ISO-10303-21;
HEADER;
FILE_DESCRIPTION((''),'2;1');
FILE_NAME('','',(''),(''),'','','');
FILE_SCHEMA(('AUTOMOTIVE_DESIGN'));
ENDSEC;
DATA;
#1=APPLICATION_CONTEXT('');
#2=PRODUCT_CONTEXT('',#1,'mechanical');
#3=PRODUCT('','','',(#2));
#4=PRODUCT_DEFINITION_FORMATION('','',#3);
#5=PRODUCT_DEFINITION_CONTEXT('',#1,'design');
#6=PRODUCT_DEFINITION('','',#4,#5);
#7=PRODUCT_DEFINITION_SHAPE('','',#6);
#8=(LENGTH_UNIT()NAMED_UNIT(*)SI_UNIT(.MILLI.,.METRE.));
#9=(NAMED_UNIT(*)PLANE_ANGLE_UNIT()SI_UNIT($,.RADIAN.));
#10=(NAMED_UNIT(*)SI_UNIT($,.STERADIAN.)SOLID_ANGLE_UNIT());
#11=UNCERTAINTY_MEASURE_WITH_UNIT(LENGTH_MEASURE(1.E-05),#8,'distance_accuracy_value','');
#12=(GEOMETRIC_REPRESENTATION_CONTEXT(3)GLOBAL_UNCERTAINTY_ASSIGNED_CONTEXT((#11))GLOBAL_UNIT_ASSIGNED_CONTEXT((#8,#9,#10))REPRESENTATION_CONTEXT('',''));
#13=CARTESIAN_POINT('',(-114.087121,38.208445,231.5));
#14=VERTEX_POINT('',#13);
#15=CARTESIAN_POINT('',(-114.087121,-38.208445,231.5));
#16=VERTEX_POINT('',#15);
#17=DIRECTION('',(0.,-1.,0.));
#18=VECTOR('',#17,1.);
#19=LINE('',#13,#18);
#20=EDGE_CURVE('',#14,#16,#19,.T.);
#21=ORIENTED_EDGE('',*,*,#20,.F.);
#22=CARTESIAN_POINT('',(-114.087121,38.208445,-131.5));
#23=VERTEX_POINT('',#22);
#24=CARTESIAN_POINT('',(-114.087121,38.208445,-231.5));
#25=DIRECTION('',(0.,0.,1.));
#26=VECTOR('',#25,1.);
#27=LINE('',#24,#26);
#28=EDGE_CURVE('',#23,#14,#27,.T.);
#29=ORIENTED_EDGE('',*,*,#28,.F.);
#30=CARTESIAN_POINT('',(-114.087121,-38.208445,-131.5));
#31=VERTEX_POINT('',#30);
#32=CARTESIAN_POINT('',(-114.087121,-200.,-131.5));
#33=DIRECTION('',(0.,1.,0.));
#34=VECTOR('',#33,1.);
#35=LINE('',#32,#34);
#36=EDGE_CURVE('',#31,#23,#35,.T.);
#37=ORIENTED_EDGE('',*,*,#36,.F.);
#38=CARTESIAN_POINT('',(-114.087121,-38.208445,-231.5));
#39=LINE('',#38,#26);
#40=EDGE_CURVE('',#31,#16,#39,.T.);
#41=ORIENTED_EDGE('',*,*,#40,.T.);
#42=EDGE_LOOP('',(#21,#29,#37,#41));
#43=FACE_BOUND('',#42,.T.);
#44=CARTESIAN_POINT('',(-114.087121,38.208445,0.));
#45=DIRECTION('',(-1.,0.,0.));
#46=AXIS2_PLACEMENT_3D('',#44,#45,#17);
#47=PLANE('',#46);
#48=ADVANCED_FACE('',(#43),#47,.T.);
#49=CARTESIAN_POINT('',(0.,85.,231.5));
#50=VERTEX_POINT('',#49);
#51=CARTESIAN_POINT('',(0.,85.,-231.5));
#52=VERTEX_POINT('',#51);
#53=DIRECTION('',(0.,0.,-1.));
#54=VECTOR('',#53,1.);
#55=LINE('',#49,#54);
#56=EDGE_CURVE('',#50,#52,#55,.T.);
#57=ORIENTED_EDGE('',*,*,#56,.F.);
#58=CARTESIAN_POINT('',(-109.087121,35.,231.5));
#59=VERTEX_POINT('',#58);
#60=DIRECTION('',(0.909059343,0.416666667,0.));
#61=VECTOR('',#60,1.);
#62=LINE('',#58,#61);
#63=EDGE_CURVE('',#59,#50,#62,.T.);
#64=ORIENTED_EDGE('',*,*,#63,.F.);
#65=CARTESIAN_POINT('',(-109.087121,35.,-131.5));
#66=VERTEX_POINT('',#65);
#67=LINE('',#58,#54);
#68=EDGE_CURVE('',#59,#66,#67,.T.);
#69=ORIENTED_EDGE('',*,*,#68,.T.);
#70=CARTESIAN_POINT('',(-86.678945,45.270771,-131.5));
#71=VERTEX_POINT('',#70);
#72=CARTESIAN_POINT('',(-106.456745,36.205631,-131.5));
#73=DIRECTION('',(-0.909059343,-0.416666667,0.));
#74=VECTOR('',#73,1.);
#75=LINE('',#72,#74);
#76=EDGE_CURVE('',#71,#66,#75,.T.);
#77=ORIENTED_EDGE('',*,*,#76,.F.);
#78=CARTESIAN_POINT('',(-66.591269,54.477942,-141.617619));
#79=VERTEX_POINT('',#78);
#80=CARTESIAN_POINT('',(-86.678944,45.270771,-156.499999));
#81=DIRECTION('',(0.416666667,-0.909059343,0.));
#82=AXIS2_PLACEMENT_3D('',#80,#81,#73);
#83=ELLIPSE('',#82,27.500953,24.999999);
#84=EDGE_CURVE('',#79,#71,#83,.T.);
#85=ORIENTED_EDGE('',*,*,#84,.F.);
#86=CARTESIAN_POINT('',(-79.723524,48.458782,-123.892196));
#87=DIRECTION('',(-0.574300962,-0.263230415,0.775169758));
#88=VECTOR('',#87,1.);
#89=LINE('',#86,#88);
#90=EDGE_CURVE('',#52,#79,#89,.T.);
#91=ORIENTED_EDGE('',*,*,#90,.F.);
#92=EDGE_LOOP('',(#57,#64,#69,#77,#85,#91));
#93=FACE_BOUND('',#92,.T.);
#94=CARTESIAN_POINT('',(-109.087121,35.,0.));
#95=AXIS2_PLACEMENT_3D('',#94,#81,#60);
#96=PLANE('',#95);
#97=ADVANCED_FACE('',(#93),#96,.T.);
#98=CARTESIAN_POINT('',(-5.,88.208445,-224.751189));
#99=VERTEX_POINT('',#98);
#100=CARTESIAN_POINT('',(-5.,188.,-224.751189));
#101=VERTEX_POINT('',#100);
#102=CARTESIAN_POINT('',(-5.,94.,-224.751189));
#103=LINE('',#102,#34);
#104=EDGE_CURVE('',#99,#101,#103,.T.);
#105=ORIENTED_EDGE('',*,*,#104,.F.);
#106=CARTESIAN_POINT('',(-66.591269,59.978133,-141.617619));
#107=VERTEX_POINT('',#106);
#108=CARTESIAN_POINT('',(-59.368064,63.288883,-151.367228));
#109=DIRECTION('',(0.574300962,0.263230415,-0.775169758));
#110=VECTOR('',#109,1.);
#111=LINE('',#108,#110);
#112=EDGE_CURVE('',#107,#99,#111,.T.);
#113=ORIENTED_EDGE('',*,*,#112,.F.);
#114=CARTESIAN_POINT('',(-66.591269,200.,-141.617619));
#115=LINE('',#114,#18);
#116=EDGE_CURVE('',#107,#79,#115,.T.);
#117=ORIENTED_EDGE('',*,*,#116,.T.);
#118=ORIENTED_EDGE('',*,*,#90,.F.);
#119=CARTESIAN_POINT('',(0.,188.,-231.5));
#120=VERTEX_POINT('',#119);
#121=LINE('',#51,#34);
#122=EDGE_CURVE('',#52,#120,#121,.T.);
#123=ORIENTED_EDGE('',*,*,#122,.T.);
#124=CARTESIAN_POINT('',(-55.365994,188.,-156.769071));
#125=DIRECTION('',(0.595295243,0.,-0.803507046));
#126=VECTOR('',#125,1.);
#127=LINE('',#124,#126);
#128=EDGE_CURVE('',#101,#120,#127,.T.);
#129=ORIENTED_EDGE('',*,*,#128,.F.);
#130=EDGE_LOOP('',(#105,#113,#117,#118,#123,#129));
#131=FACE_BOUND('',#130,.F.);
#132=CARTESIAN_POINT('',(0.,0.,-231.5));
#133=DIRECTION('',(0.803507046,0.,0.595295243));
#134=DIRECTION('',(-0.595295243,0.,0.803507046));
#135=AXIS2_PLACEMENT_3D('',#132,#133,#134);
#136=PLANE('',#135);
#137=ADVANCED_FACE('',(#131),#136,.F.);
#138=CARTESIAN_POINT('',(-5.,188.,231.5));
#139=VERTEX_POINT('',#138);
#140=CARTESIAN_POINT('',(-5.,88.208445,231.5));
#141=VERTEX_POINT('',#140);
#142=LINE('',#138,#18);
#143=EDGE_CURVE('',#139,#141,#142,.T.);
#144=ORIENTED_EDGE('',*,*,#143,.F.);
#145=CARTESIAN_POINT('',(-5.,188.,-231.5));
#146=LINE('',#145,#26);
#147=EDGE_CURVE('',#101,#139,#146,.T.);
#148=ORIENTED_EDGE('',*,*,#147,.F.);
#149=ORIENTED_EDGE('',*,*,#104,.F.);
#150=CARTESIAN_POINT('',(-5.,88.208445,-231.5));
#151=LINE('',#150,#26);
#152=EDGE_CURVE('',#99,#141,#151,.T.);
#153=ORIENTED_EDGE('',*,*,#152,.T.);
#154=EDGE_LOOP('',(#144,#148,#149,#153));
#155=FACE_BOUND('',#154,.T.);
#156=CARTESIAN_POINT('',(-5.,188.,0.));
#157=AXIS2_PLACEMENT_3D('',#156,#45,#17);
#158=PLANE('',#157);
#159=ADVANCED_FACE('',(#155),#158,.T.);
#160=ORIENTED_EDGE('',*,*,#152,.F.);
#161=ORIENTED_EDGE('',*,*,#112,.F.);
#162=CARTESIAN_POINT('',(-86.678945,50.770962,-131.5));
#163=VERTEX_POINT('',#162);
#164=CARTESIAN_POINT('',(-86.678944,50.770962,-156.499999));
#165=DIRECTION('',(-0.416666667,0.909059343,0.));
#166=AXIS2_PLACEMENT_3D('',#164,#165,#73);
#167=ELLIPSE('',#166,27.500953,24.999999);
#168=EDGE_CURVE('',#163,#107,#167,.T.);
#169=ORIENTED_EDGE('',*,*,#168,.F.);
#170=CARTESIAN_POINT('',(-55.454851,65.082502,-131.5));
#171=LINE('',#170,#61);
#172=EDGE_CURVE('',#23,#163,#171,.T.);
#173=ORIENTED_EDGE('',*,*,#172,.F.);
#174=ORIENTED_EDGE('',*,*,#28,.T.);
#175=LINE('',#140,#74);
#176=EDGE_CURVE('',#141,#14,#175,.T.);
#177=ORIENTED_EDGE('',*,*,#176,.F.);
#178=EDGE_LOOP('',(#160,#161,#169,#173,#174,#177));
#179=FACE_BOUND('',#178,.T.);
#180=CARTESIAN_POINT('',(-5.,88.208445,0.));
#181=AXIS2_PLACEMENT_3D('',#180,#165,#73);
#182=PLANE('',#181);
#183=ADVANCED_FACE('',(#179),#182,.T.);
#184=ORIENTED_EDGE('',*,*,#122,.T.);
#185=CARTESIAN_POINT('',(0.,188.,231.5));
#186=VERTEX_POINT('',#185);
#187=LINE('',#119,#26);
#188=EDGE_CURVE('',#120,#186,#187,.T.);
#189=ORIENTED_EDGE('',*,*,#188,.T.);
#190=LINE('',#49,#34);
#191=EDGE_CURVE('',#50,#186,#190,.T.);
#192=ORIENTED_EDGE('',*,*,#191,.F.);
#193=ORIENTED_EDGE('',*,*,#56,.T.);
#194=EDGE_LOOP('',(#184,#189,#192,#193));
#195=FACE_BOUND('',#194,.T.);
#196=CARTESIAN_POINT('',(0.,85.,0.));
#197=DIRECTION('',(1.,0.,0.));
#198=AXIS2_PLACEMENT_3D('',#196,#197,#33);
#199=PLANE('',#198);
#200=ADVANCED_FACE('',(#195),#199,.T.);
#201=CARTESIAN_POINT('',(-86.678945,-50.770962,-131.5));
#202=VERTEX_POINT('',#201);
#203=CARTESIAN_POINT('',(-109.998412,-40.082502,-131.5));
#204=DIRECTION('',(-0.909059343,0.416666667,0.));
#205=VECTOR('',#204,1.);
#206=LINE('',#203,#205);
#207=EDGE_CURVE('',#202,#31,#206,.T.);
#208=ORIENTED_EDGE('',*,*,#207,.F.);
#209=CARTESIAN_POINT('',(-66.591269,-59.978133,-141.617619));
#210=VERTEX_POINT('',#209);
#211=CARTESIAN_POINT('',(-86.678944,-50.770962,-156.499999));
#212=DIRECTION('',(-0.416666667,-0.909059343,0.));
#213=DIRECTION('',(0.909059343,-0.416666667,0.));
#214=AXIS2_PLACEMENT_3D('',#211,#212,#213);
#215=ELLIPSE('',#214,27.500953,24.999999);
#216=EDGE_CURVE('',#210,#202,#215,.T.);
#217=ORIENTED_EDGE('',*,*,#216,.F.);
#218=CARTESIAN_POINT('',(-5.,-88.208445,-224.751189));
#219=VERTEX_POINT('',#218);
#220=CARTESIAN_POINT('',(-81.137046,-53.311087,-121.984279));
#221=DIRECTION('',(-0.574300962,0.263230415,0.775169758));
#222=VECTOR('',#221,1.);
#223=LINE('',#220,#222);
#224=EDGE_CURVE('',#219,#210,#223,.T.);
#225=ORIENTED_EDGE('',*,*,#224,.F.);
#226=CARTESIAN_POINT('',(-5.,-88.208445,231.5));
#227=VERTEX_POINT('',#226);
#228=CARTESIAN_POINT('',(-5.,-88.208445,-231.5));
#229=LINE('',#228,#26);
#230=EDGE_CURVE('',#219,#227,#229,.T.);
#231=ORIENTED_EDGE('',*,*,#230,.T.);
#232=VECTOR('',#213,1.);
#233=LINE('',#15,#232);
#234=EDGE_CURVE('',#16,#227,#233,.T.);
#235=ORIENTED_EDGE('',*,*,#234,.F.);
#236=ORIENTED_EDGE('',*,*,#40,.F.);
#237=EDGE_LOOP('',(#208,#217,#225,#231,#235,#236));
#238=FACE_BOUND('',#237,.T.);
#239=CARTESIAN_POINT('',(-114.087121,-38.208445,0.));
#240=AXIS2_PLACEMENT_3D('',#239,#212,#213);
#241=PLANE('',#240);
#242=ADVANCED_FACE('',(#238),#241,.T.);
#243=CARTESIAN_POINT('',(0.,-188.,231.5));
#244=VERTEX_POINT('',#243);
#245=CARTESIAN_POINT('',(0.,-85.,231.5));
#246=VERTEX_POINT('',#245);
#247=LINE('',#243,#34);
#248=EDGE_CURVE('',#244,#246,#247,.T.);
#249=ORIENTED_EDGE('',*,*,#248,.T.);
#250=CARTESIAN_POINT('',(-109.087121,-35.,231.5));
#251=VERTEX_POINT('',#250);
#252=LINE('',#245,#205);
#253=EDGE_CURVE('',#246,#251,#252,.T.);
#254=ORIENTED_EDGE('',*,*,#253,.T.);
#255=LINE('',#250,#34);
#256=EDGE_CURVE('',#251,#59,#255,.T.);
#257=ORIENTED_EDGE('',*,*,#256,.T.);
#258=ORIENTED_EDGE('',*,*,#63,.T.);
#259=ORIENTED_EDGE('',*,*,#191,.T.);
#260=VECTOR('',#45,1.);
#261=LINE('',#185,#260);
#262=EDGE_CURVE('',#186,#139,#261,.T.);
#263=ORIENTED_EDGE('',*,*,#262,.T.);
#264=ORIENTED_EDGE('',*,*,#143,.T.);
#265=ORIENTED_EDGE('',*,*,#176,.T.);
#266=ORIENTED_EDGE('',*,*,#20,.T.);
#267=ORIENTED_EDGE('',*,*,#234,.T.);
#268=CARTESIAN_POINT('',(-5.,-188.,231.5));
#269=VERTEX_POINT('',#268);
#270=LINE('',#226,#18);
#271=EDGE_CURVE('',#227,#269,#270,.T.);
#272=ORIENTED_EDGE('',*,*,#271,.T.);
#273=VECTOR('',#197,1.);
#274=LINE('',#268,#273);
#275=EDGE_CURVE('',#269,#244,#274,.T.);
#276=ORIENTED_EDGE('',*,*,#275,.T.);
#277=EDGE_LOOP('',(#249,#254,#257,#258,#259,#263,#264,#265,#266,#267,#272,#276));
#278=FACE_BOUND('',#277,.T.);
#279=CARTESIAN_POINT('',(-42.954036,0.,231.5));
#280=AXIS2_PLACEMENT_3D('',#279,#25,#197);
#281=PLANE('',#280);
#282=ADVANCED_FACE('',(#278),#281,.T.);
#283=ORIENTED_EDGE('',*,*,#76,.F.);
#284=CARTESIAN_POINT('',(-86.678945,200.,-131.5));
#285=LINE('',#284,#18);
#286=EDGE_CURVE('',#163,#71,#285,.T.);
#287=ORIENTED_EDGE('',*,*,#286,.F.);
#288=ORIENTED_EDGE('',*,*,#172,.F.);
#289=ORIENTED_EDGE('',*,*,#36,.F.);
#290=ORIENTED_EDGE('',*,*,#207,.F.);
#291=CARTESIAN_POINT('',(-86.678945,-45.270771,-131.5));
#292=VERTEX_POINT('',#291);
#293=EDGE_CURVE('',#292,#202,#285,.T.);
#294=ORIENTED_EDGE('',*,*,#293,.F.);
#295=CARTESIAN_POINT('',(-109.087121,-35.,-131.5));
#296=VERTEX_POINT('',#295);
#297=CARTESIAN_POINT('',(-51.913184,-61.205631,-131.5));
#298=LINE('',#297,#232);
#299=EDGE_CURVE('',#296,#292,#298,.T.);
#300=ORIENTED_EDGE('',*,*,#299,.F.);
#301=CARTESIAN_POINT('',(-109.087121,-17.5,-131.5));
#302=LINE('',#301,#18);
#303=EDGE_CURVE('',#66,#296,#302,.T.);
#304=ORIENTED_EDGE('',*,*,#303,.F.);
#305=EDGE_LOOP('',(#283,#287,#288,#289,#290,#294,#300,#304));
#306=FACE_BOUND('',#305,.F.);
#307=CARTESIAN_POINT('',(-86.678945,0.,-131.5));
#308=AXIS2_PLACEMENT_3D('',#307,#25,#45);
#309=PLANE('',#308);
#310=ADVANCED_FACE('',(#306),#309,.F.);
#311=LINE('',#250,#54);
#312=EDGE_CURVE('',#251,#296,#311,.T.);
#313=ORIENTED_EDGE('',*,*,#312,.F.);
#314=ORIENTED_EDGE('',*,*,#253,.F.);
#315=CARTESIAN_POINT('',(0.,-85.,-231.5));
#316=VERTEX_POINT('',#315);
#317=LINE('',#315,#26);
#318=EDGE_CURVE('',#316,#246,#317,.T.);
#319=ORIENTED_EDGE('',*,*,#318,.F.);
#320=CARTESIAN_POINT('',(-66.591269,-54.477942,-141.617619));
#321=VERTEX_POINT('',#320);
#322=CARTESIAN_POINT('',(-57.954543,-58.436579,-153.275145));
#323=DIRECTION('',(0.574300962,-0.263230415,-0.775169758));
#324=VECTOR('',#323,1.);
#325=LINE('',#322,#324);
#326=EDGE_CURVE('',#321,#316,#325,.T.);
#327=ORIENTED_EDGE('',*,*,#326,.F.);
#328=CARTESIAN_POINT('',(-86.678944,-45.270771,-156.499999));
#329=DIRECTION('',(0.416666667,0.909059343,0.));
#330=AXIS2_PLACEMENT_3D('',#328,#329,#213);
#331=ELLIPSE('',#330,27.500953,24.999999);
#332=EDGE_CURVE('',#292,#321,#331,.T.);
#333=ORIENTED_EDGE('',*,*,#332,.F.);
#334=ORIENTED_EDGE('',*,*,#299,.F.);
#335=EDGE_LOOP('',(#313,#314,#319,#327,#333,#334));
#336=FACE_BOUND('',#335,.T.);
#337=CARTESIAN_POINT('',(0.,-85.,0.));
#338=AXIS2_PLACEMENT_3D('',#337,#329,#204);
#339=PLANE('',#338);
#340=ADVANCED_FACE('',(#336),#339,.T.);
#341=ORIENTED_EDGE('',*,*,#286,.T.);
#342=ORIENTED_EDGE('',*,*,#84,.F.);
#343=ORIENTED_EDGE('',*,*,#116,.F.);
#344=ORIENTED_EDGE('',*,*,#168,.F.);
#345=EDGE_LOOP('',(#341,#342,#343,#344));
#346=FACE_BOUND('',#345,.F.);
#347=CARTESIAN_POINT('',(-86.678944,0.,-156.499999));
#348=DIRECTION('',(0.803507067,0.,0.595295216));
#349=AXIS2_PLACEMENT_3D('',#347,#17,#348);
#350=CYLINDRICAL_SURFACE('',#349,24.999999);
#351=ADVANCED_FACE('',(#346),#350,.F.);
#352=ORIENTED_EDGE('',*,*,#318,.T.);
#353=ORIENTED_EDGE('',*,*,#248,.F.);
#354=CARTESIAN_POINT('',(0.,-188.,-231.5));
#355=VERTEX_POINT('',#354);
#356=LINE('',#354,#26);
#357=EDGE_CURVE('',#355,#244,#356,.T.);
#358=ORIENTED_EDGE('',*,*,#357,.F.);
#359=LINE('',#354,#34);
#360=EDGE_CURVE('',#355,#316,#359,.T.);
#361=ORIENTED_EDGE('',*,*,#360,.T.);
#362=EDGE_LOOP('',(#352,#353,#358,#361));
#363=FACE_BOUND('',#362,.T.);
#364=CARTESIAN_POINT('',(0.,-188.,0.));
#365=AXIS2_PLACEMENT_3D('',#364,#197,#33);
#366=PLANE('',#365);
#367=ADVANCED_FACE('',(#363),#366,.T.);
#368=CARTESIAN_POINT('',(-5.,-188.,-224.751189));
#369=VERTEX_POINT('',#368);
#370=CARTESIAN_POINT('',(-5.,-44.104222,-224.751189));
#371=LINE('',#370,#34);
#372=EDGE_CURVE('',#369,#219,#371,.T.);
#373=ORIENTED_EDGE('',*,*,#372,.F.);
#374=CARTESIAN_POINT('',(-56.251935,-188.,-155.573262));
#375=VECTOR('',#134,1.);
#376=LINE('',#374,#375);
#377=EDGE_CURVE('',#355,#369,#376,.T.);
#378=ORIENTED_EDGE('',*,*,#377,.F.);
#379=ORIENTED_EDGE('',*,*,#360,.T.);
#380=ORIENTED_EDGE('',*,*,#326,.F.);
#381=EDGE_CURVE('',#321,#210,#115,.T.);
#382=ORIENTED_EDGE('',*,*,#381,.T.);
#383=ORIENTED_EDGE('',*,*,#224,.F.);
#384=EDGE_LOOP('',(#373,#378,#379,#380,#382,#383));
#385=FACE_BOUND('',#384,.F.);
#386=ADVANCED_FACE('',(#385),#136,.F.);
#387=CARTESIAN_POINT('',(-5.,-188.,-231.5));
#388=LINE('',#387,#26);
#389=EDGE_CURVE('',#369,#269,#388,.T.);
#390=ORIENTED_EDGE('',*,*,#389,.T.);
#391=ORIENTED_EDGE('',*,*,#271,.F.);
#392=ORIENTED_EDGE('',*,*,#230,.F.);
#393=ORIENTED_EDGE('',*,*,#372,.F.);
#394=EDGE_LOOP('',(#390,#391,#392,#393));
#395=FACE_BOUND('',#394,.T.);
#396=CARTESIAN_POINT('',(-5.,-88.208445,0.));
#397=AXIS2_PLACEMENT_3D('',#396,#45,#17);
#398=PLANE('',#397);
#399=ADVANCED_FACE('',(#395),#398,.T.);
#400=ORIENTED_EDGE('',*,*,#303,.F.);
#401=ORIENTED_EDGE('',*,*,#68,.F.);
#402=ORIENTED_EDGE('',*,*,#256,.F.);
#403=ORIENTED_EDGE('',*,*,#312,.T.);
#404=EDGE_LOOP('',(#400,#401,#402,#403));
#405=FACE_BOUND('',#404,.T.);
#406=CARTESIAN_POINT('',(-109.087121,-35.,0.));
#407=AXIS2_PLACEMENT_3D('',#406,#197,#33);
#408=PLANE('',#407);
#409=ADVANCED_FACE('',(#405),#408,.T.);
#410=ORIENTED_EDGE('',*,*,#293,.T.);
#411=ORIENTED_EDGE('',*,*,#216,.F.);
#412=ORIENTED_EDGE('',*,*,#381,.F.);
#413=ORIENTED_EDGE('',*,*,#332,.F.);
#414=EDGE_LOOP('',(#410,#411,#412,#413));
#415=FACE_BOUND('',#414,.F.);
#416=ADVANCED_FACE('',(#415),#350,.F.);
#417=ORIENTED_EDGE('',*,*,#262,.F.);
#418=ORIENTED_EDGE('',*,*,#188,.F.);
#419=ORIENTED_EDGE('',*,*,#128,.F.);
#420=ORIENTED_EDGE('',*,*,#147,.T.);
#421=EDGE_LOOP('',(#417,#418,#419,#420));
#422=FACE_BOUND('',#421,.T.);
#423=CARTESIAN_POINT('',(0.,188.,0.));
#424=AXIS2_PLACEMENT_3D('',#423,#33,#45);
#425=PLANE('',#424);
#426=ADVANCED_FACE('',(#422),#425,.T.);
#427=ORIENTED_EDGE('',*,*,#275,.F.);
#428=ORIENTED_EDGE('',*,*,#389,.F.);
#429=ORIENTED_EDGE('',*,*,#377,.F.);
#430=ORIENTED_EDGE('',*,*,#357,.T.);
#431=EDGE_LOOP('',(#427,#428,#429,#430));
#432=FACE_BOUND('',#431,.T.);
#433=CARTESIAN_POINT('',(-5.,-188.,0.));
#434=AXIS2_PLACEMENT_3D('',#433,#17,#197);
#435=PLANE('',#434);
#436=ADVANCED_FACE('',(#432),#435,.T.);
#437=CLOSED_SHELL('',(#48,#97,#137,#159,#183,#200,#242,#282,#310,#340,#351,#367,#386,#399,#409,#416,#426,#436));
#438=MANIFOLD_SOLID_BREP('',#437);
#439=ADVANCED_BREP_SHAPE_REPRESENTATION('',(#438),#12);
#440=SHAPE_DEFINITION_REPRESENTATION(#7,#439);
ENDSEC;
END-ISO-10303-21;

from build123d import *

# Parameters (mm, degrees)
F1_DEPTH = 231.5
F3_DEPTH = 200


with BuildPart() as f1:
    # F0 (on Top) → F1 (new body, symmetric)
    with BuildSketch(Plane.XY):
        Polygon((0, 85), (0, 188), (-5, 188), (-5, 88.208445), (-114.087121, 38.208445), (-114.087121, -38.208445), (-5, -88.208445), (-5, -188), (0, -188), (0, -85), (-109.087121, -35), (-109.087121, 35), align=None)
    extrude(amount=F1_DEPTH, both=True)

    # F2 (on Front) → F3 (cut, symmetric)
    with BuildSketch(Plane.XZ):
        with BuildLine():
            Line((0, -231.5), (-66.591269, -141.617619))
            ThreePointArc((-66.591269, -141.617619), (-75.433046, -134.17222), (-86.678945, -131.5))
            Line((-86.678945, -131.5), (-114.087121, -131.5))
            Line((-114.087121, -131.5), (-114.087121, -231.5))
            Line((-114.087121, -231.5), (0, -231.5))
        make_face()
    extrude(amount=F3_DEPTH, both=True, mode=Mode.SUBTRACT)


solid = f1.part
